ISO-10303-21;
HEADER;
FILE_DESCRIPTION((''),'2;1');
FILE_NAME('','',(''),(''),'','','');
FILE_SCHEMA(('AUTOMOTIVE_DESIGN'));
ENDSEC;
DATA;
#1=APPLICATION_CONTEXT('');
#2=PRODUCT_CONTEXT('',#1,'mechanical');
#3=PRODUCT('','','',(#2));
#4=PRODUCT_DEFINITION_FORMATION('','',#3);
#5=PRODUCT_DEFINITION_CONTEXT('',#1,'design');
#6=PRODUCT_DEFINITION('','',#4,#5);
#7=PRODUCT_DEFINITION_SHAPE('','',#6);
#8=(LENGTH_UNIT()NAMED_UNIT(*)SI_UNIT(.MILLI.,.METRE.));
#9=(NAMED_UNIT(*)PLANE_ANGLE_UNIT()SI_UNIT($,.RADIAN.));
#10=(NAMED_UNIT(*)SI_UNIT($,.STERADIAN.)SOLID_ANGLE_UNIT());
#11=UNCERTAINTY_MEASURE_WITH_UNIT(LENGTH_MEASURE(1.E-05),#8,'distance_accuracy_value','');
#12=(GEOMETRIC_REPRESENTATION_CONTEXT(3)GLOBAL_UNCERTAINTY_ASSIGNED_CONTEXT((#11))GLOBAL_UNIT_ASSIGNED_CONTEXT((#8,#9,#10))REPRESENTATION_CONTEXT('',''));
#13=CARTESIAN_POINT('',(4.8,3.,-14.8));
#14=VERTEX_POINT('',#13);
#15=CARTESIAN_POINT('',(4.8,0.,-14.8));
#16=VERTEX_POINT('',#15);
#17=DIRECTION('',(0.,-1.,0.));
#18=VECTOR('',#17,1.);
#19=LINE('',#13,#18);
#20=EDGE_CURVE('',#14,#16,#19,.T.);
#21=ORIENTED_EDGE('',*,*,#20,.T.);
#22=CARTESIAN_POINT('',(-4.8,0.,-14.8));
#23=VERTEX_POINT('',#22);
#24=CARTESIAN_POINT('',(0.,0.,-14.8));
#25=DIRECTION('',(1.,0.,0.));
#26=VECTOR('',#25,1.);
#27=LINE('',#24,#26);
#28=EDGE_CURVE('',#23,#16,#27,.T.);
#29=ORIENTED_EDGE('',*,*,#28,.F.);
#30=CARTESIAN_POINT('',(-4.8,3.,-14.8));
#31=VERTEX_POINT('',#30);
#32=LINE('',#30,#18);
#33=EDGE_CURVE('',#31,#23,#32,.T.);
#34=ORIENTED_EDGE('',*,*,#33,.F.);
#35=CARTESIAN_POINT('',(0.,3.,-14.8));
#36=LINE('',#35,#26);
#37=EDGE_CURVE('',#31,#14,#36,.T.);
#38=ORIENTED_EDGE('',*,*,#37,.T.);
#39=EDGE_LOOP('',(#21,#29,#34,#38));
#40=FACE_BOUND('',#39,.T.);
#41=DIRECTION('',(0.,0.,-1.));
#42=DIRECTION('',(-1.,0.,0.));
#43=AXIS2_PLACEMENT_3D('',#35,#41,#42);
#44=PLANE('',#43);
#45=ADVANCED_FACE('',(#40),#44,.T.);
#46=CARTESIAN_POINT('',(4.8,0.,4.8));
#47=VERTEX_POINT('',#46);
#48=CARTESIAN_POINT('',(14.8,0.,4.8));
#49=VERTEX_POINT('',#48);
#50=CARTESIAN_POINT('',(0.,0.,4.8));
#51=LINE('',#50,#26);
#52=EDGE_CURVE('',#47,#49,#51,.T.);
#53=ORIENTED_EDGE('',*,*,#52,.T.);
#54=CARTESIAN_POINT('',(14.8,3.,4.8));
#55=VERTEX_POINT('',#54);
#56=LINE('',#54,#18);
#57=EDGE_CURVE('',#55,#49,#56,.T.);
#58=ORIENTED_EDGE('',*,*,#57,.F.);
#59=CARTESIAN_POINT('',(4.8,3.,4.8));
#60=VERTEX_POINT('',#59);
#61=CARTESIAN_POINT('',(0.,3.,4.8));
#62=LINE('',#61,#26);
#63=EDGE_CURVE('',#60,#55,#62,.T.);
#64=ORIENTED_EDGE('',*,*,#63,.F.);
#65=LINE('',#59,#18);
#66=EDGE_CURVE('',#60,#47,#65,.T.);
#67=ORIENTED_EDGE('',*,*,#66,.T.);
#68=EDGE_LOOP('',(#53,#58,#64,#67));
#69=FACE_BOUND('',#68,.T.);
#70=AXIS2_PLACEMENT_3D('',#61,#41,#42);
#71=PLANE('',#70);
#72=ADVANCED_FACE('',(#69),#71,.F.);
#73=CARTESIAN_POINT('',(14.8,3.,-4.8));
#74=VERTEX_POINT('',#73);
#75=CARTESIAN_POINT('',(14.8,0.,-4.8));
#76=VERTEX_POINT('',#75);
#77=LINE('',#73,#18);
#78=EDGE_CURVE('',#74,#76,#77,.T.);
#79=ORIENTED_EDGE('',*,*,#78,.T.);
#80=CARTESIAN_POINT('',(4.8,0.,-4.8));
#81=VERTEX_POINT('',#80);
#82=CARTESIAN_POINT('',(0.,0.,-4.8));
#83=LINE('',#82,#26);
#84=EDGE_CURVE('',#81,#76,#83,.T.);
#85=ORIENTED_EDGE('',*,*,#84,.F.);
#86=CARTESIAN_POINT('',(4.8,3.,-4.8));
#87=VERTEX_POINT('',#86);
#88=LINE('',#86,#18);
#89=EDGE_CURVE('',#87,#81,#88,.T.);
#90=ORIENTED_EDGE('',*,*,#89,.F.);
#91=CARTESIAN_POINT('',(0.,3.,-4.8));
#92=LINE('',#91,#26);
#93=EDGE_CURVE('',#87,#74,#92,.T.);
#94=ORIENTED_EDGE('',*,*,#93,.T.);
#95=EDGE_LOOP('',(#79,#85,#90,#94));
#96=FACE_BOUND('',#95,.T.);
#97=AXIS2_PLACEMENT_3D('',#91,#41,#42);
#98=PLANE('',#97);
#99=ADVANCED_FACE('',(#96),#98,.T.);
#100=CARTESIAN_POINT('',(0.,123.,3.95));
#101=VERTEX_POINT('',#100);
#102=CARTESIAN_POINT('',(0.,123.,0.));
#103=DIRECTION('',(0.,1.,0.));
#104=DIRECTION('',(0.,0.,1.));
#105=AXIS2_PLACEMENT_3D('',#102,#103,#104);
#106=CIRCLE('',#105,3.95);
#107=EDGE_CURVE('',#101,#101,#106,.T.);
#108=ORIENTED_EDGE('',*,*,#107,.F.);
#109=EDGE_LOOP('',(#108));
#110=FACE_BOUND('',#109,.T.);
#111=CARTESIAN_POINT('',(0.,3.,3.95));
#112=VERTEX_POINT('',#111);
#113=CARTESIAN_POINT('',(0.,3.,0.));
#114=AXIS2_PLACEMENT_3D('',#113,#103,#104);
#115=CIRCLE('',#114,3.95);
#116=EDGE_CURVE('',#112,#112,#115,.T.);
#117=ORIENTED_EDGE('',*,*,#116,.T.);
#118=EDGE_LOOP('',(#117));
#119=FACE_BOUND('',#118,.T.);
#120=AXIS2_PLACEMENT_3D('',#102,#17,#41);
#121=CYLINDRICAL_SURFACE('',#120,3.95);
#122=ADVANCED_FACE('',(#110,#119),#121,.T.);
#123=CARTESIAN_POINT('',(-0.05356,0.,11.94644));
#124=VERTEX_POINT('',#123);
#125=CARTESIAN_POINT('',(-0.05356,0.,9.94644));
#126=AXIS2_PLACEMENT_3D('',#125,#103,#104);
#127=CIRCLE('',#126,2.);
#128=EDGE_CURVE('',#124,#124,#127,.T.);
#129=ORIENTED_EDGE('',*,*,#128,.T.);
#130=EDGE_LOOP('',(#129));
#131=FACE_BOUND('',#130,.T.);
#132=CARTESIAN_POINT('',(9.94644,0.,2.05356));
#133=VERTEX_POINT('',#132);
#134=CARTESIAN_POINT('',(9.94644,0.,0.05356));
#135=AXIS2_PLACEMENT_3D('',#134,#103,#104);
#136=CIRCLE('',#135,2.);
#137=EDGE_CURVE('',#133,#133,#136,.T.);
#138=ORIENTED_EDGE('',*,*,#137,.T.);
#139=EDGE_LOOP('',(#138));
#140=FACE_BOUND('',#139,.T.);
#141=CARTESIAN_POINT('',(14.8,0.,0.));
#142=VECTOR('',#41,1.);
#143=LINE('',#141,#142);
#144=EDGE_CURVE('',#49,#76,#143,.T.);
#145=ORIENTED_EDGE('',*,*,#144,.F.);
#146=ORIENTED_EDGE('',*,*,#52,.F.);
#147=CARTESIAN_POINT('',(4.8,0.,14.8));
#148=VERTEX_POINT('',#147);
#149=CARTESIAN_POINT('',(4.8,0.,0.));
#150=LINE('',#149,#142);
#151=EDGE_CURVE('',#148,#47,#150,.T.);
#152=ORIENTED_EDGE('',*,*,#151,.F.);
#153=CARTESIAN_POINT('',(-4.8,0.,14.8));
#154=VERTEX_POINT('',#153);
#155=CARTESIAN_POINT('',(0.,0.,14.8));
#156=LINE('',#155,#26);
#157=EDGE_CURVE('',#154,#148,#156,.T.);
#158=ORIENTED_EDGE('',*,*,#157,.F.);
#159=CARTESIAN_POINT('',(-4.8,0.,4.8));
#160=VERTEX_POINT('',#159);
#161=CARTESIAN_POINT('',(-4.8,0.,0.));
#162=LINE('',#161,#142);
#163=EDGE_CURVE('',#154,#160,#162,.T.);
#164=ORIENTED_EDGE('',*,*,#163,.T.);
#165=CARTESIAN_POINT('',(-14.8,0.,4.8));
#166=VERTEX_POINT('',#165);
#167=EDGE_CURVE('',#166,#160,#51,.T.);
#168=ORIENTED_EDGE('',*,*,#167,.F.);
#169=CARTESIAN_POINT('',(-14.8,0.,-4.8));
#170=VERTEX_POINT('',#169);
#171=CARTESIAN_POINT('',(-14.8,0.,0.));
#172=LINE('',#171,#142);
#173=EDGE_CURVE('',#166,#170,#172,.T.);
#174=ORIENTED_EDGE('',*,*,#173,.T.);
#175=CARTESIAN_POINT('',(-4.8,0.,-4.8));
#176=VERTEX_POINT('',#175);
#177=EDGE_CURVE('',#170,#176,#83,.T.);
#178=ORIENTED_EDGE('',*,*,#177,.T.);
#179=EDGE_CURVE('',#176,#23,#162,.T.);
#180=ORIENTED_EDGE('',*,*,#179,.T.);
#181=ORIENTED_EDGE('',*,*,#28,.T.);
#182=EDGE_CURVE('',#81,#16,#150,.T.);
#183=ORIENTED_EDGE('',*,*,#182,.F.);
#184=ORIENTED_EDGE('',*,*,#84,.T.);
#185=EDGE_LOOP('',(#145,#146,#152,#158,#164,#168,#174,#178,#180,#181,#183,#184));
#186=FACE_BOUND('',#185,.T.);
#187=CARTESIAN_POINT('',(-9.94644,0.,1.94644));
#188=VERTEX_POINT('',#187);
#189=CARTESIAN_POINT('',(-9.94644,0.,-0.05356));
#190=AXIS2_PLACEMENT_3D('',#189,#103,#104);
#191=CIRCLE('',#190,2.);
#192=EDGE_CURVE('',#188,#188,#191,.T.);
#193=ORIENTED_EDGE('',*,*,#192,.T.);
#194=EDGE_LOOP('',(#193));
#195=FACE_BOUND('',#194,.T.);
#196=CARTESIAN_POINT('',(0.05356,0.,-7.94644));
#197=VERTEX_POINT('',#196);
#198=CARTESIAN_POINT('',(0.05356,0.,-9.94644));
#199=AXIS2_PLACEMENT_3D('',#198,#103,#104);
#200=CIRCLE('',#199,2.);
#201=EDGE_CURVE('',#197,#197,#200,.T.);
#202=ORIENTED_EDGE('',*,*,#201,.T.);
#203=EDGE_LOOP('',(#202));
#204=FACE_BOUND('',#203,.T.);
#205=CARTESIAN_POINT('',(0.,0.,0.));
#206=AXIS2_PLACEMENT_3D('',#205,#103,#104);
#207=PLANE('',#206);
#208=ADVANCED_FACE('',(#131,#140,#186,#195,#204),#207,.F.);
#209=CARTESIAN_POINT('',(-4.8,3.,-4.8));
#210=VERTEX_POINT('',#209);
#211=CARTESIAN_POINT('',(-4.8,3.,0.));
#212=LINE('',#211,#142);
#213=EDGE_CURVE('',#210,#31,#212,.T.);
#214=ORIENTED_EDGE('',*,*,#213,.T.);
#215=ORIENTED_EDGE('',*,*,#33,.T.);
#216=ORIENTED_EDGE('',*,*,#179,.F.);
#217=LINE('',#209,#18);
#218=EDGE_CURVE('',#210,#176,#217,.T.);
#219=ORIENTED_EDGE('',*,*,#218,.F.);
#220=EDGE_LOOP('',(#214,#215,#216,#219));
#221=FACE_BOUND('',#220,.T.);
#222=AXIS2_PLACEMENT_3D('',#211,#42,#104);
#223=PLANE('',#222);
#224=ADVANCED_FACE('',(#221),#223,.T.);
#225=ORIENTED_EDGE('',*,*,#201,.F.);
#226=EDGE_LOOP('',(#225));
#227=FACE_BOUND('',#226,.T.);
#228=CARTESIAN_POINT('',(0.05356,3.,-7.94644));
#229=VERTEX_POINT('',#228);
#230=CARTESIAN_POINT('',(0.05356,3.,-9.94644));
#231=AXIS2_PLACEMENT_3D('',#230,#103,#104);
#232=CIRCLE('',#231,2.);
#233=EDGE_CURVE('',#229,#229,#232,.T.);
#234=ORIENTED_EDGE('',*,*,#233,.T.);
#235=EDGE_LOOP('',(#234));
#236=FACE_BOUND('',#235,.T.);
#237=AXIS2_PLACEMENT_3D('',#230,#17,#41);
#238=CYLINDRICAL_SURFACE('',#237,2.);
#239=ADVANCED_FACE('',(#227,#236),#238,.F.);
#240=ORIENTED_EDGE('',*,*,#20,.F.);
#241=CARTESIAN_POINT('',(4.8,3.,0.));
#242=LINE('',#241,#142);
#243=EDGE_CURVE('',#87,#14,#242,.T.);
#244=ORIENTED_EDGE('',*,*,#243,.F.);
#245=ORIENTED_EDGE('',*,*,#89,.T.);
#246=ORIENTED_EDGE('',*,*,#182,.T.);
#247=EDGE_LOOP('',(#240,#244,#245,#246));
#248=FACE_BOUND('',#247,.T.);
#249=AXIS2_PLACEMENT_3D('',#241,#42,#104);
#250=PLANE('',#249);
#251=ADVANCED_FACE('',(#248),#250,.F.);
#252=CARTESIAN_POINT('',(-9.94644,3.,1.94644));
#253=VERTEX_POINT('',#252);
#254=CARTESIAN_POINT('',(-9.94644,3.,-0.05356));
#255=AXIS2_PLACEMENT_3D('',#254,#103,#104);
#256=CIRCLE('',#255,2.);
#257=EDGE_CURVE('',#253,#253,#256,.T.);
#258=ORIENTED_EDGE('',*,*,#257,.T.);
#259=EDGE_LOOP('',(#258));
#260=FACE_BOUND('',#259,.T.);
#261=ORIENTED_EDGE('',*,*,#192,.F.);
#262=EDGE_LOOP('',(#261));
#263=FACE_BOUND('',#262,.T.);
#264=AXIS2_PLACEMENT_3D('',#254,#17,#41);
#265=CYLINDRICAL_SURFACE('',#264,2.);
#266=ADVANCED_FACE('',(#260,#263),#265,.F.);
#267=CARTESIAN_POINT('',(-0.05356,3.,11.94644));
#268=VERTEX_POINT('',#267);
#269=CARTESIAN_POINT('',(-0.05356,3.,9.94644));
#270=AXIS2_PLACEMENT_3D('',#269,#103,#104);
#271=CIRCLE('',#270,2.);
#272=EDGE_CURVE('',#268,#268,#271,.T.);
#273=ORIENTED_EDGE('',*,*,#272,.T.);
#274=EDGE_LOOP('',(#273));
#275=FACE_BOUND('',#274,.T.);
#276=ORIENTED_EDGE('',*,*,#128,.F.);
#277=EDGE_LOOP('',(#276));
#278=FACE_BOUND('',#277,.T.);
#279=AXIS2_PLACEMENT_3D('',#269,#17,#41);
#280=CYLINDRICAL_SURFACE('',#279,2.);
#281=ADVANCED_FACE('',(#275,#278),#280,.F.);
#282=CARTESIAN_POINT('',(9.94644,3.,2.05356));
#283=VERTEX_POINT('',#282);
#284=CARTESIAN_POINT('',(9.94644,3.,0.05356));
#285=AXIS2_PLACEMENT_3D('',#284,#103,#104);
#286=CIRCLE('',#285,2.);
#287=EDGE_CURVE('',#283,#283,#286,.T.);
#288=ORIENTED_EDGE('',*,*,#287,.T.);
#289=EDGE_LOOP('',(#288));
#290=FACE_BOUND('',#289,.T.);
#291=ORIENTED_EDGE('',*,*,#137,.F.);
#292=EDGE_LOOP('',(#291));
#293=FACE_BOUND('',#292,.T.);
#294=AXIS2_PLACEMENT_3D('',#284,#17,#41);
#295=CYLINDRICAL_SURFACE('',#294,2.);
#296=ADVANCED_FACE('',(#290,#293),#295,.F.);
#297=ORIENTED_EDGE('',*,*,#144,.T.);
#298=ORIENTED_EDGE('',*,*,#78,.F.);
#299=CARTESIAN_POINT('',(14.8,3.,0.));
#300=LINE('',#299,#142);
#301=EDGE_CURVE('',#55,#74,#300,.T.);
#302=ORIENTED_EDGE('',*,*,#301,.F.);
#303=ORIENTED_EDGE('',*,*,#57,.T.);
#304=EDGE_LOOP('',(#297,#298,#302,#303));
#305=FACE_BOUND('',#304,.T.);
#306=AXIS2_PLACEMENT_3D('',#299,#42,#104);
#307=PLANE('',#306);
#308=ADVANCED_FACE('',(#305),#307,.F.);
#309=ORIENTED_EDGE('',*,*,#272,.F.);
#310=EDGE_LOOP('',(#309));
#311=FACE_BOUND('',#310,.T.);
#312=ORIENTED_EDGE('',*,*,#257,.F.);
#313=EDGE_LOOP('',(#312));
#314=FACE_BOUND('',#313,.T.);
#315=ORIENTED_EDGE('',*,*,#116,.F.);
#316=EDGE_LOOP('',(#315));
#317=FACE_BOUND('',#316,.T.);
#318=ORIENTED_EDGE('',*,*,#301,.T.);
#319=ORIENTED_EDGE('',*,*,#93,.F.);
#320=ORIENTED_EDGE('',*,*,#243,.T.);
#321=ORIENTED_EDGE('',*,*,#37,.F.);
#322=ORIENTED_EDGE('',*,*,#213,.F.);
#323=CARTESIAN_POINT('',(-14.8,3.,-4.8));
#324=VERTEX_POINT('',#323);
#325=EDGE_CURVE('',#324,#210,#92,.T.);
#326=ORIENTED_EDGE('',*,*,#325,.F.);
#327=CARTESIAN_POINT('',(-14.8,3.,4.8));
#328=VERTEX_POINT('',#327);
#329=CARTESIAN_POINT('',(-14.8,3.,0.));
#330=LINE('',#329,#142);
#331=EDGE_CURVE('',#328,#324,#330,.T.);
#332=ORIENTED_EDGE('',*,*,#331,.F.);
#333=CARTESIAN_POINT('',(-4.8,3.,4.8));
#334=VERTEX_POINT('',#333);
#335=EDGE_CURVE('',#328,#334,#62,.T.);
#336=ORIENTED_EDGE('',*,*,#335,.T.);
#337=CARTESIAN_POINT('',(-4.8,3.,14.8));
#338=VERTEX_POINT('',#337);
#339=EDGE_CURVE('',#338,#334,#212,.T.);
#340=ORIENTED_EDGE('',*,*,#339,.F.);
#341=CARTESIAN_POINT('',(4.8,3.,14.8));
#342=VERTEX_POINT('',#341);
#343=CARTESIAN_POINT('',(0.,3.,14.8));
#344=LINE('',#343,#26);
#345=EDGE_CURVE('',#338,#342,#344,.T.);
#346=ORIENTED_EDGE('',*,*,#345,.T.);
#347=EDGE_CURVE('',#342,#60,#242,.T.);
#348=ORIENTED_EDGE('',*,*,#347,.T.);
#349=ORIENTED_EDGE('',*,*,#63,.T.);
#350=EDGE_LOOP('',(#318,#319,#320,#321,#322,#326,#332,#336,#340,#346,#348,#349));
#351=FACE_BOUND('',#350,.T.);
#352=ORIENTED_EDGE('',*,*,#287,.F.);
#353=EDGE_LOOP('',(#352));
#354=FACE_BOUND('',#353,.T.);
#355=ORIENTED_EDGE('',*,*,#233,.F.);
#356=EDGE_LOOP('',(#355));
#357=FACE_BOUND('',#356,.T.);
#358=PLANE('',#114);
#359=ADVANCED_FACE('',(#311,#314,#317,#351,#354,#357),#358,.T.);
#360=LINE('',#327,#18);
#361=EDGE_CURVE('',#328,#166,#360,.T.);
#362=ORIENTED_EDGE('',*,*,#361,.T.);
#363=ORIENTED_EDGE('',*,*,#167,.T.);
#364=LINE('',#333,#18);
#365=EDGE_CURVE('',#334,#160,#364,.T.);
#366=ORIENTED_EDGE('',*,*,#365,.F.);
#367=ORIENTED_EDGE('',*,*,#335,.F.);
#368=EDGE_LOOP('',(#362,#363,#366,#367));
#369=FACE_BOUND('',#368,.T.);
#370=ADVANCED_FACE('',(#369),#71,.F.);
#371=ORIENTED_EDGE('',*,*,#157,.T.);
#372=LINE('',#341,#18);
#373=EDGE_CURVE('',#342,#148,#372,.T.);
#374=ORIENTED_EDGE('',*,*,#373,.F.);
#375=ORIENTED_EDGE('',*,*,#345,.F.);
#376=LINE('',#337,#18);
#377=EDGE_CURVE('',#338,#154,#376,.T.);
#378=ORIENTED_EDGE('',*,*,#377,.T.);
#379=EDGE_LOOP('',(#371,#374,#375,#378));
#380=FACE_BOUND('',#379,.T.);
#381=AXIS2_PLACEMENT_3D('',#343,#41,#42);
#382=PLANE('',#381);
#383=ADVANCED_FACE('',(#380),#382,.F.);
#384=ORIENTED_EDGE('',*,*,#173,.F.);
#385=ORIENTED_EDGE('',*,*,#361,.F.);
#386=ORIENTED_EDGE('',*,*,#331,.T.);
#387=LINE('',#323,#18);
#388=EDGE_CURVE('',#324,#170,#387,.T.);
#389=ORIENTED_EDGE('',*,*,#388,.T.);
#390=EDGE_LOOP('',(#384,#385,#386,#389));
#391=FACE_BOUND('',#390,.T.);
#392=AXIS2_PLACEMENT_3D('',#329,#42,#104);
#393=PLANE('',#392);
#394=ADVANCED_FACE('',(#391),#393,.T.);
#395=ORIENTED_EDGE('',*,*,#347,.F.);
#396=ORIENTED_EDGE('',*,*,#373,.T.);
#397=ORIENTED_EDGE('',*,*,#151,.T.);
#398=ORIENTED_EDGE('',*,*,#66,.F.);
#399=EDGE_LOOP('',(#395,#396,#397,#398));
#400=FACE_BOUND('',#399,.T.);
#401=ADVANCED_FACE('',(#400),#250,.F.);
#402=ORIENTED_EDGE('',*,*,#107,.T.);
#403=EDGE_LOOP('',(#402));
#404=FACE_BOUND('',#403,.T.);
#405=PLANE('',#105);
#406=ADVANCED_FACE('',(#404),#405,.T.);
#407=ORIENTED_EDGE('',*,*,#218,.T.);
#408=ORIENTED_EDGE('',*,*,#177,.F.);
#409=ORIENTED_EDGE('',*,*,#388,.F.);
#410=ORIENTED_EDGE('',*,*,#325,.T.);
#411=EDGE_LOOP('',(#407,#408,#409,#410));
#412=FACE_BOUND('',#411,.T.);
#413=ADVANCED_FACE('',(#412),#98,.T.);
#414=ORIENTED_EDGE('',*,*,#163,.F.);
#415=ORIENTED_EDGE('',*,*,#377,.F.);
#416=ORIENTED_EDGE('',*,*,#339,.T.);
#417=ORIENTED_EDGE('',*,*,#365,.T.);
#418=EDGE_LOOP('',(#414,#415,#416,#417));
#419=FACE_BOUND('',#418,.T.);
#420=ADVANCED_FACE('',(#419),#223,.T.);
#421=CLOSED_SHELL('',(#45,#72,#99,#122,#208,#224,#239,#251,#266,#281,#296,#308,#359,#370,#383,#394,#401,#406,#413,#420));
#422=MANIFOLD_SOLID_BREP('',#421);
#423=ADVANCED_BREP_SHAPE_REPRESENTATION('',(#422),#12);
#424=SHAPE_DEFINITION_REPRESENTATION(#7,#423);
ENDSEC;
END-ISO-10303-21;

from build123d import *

# Parameters (mm, degrees)
SKETCH_1_W      = 10
SKETCH_1_H      = 9.6
SKETCH_1_R      = 2
SKETCH_1_W_2    = 9.6
SKETCH_1_H_2    = 10
SKETCH_1_R_2    = 4
EXTRUDE_2_DEPTH = 3
SKETCH_2_R      = 3.95
EXTRUDE_3_DEPTH = 120


with BuildPart() as part:
    # 草图1 → 凸台-拉伸2 (new body)
    # profile 1 of 6: a face of its own
    with BuildSketch(Plane(origin=(0, 0, 0), x_dir=(1, 0, 0), z_dir=(0, 1, 0))):
        with Locations((-9.8, 0)):
            Rectangle(SKETCH_1_W, SKETCH_1_H)
        with Locations(Location((-9.946440474, 0.053559526, 0), (0, 0, 270))):
            Circle(SKETCH_1_R, mode=Mode.SUBTRACT)
    # profile 2 of 6: a face of its own
    with BuildSketch(Plane(origin=(0, 0, 0), x_dir=(1, 0, 0), z_dir=(0, 1, 0))):
        with Locations((0, -9.8)):
            Rectangle(SKETCH_1_W_2, SKETCH_1_H_2)
        with Locations(Location((-0.053559526, -9.946440474, 0), (0, 0, 270))):
            Circle(SKETCH_1_R, mode=Mode.SUBTRACT)
    # profile 3 of 6: a face of its own
    with BuildSketch(Plane(origin=(0, 0, 0), x_dir=(1, 0, 0), z_dir=(0, 1, 0))):
        Rectangle(SKETCH_1_W_2, SKETCH_1_H)
        Circle(SKETCH_1_R_2, mode=Mode.SUBTRACT)
    # profile 4 of 6: a face of its own
    with BuildSketch(Plane(origin=(0, 0, 0), x_dir=(1, 0, 0), z_dir=(0, 1, 0))):
        with Locations((9.8, 0)):
            Rectangle(SKETCH_1_W, SKETCH_1_H)
        with Locations(Location((9.946440474, -0.053559526, 0), (0, 0, 270))):
            Circle(SKETCH_1_R, mode=Mode.SUBTRACT)
    # profile 5 of 6: a face of its own
    with BuildSketch(Plane(origin=(0, 0, 0), x_dir=(1, 0, 0), z_dir=(0, 1, 0))):
        with Locations((0, 9.8)):
            Rectangle(SKETCH_1_W_2, SKETCH_1_H_2)
        with Locations(Location((0.053559526, 9.946440474, 0), (0, 0, 270))):
            Circle(SKETCH_1_R, mode=Mode.SUBTRACT)
    # profile 6 of 6: a face of its own
    with BuildSketch(Plane(origin=(0, 0, 0), x_dir=(1, 0, 0), z_dir=(0, 1, 0))):
        Circle(SKETCH_1_R_2)
    extrude(amount=EXTRUDE_2_DEPTH)

    # 草图2 → 凸台-拉伸3 (add)
    with BuildSketch(Plane(origin=(0, 3, 0), x_dir=(1, 0, 0), z_dir=(0, 1, 0))):
        with Locations(Location((0, 0, 0), (0, 0, 270))):
            Circle(SKETCH_2_R)
    extrude(amount=EXTRUDE_3_DEPTH)


solid = part.part
